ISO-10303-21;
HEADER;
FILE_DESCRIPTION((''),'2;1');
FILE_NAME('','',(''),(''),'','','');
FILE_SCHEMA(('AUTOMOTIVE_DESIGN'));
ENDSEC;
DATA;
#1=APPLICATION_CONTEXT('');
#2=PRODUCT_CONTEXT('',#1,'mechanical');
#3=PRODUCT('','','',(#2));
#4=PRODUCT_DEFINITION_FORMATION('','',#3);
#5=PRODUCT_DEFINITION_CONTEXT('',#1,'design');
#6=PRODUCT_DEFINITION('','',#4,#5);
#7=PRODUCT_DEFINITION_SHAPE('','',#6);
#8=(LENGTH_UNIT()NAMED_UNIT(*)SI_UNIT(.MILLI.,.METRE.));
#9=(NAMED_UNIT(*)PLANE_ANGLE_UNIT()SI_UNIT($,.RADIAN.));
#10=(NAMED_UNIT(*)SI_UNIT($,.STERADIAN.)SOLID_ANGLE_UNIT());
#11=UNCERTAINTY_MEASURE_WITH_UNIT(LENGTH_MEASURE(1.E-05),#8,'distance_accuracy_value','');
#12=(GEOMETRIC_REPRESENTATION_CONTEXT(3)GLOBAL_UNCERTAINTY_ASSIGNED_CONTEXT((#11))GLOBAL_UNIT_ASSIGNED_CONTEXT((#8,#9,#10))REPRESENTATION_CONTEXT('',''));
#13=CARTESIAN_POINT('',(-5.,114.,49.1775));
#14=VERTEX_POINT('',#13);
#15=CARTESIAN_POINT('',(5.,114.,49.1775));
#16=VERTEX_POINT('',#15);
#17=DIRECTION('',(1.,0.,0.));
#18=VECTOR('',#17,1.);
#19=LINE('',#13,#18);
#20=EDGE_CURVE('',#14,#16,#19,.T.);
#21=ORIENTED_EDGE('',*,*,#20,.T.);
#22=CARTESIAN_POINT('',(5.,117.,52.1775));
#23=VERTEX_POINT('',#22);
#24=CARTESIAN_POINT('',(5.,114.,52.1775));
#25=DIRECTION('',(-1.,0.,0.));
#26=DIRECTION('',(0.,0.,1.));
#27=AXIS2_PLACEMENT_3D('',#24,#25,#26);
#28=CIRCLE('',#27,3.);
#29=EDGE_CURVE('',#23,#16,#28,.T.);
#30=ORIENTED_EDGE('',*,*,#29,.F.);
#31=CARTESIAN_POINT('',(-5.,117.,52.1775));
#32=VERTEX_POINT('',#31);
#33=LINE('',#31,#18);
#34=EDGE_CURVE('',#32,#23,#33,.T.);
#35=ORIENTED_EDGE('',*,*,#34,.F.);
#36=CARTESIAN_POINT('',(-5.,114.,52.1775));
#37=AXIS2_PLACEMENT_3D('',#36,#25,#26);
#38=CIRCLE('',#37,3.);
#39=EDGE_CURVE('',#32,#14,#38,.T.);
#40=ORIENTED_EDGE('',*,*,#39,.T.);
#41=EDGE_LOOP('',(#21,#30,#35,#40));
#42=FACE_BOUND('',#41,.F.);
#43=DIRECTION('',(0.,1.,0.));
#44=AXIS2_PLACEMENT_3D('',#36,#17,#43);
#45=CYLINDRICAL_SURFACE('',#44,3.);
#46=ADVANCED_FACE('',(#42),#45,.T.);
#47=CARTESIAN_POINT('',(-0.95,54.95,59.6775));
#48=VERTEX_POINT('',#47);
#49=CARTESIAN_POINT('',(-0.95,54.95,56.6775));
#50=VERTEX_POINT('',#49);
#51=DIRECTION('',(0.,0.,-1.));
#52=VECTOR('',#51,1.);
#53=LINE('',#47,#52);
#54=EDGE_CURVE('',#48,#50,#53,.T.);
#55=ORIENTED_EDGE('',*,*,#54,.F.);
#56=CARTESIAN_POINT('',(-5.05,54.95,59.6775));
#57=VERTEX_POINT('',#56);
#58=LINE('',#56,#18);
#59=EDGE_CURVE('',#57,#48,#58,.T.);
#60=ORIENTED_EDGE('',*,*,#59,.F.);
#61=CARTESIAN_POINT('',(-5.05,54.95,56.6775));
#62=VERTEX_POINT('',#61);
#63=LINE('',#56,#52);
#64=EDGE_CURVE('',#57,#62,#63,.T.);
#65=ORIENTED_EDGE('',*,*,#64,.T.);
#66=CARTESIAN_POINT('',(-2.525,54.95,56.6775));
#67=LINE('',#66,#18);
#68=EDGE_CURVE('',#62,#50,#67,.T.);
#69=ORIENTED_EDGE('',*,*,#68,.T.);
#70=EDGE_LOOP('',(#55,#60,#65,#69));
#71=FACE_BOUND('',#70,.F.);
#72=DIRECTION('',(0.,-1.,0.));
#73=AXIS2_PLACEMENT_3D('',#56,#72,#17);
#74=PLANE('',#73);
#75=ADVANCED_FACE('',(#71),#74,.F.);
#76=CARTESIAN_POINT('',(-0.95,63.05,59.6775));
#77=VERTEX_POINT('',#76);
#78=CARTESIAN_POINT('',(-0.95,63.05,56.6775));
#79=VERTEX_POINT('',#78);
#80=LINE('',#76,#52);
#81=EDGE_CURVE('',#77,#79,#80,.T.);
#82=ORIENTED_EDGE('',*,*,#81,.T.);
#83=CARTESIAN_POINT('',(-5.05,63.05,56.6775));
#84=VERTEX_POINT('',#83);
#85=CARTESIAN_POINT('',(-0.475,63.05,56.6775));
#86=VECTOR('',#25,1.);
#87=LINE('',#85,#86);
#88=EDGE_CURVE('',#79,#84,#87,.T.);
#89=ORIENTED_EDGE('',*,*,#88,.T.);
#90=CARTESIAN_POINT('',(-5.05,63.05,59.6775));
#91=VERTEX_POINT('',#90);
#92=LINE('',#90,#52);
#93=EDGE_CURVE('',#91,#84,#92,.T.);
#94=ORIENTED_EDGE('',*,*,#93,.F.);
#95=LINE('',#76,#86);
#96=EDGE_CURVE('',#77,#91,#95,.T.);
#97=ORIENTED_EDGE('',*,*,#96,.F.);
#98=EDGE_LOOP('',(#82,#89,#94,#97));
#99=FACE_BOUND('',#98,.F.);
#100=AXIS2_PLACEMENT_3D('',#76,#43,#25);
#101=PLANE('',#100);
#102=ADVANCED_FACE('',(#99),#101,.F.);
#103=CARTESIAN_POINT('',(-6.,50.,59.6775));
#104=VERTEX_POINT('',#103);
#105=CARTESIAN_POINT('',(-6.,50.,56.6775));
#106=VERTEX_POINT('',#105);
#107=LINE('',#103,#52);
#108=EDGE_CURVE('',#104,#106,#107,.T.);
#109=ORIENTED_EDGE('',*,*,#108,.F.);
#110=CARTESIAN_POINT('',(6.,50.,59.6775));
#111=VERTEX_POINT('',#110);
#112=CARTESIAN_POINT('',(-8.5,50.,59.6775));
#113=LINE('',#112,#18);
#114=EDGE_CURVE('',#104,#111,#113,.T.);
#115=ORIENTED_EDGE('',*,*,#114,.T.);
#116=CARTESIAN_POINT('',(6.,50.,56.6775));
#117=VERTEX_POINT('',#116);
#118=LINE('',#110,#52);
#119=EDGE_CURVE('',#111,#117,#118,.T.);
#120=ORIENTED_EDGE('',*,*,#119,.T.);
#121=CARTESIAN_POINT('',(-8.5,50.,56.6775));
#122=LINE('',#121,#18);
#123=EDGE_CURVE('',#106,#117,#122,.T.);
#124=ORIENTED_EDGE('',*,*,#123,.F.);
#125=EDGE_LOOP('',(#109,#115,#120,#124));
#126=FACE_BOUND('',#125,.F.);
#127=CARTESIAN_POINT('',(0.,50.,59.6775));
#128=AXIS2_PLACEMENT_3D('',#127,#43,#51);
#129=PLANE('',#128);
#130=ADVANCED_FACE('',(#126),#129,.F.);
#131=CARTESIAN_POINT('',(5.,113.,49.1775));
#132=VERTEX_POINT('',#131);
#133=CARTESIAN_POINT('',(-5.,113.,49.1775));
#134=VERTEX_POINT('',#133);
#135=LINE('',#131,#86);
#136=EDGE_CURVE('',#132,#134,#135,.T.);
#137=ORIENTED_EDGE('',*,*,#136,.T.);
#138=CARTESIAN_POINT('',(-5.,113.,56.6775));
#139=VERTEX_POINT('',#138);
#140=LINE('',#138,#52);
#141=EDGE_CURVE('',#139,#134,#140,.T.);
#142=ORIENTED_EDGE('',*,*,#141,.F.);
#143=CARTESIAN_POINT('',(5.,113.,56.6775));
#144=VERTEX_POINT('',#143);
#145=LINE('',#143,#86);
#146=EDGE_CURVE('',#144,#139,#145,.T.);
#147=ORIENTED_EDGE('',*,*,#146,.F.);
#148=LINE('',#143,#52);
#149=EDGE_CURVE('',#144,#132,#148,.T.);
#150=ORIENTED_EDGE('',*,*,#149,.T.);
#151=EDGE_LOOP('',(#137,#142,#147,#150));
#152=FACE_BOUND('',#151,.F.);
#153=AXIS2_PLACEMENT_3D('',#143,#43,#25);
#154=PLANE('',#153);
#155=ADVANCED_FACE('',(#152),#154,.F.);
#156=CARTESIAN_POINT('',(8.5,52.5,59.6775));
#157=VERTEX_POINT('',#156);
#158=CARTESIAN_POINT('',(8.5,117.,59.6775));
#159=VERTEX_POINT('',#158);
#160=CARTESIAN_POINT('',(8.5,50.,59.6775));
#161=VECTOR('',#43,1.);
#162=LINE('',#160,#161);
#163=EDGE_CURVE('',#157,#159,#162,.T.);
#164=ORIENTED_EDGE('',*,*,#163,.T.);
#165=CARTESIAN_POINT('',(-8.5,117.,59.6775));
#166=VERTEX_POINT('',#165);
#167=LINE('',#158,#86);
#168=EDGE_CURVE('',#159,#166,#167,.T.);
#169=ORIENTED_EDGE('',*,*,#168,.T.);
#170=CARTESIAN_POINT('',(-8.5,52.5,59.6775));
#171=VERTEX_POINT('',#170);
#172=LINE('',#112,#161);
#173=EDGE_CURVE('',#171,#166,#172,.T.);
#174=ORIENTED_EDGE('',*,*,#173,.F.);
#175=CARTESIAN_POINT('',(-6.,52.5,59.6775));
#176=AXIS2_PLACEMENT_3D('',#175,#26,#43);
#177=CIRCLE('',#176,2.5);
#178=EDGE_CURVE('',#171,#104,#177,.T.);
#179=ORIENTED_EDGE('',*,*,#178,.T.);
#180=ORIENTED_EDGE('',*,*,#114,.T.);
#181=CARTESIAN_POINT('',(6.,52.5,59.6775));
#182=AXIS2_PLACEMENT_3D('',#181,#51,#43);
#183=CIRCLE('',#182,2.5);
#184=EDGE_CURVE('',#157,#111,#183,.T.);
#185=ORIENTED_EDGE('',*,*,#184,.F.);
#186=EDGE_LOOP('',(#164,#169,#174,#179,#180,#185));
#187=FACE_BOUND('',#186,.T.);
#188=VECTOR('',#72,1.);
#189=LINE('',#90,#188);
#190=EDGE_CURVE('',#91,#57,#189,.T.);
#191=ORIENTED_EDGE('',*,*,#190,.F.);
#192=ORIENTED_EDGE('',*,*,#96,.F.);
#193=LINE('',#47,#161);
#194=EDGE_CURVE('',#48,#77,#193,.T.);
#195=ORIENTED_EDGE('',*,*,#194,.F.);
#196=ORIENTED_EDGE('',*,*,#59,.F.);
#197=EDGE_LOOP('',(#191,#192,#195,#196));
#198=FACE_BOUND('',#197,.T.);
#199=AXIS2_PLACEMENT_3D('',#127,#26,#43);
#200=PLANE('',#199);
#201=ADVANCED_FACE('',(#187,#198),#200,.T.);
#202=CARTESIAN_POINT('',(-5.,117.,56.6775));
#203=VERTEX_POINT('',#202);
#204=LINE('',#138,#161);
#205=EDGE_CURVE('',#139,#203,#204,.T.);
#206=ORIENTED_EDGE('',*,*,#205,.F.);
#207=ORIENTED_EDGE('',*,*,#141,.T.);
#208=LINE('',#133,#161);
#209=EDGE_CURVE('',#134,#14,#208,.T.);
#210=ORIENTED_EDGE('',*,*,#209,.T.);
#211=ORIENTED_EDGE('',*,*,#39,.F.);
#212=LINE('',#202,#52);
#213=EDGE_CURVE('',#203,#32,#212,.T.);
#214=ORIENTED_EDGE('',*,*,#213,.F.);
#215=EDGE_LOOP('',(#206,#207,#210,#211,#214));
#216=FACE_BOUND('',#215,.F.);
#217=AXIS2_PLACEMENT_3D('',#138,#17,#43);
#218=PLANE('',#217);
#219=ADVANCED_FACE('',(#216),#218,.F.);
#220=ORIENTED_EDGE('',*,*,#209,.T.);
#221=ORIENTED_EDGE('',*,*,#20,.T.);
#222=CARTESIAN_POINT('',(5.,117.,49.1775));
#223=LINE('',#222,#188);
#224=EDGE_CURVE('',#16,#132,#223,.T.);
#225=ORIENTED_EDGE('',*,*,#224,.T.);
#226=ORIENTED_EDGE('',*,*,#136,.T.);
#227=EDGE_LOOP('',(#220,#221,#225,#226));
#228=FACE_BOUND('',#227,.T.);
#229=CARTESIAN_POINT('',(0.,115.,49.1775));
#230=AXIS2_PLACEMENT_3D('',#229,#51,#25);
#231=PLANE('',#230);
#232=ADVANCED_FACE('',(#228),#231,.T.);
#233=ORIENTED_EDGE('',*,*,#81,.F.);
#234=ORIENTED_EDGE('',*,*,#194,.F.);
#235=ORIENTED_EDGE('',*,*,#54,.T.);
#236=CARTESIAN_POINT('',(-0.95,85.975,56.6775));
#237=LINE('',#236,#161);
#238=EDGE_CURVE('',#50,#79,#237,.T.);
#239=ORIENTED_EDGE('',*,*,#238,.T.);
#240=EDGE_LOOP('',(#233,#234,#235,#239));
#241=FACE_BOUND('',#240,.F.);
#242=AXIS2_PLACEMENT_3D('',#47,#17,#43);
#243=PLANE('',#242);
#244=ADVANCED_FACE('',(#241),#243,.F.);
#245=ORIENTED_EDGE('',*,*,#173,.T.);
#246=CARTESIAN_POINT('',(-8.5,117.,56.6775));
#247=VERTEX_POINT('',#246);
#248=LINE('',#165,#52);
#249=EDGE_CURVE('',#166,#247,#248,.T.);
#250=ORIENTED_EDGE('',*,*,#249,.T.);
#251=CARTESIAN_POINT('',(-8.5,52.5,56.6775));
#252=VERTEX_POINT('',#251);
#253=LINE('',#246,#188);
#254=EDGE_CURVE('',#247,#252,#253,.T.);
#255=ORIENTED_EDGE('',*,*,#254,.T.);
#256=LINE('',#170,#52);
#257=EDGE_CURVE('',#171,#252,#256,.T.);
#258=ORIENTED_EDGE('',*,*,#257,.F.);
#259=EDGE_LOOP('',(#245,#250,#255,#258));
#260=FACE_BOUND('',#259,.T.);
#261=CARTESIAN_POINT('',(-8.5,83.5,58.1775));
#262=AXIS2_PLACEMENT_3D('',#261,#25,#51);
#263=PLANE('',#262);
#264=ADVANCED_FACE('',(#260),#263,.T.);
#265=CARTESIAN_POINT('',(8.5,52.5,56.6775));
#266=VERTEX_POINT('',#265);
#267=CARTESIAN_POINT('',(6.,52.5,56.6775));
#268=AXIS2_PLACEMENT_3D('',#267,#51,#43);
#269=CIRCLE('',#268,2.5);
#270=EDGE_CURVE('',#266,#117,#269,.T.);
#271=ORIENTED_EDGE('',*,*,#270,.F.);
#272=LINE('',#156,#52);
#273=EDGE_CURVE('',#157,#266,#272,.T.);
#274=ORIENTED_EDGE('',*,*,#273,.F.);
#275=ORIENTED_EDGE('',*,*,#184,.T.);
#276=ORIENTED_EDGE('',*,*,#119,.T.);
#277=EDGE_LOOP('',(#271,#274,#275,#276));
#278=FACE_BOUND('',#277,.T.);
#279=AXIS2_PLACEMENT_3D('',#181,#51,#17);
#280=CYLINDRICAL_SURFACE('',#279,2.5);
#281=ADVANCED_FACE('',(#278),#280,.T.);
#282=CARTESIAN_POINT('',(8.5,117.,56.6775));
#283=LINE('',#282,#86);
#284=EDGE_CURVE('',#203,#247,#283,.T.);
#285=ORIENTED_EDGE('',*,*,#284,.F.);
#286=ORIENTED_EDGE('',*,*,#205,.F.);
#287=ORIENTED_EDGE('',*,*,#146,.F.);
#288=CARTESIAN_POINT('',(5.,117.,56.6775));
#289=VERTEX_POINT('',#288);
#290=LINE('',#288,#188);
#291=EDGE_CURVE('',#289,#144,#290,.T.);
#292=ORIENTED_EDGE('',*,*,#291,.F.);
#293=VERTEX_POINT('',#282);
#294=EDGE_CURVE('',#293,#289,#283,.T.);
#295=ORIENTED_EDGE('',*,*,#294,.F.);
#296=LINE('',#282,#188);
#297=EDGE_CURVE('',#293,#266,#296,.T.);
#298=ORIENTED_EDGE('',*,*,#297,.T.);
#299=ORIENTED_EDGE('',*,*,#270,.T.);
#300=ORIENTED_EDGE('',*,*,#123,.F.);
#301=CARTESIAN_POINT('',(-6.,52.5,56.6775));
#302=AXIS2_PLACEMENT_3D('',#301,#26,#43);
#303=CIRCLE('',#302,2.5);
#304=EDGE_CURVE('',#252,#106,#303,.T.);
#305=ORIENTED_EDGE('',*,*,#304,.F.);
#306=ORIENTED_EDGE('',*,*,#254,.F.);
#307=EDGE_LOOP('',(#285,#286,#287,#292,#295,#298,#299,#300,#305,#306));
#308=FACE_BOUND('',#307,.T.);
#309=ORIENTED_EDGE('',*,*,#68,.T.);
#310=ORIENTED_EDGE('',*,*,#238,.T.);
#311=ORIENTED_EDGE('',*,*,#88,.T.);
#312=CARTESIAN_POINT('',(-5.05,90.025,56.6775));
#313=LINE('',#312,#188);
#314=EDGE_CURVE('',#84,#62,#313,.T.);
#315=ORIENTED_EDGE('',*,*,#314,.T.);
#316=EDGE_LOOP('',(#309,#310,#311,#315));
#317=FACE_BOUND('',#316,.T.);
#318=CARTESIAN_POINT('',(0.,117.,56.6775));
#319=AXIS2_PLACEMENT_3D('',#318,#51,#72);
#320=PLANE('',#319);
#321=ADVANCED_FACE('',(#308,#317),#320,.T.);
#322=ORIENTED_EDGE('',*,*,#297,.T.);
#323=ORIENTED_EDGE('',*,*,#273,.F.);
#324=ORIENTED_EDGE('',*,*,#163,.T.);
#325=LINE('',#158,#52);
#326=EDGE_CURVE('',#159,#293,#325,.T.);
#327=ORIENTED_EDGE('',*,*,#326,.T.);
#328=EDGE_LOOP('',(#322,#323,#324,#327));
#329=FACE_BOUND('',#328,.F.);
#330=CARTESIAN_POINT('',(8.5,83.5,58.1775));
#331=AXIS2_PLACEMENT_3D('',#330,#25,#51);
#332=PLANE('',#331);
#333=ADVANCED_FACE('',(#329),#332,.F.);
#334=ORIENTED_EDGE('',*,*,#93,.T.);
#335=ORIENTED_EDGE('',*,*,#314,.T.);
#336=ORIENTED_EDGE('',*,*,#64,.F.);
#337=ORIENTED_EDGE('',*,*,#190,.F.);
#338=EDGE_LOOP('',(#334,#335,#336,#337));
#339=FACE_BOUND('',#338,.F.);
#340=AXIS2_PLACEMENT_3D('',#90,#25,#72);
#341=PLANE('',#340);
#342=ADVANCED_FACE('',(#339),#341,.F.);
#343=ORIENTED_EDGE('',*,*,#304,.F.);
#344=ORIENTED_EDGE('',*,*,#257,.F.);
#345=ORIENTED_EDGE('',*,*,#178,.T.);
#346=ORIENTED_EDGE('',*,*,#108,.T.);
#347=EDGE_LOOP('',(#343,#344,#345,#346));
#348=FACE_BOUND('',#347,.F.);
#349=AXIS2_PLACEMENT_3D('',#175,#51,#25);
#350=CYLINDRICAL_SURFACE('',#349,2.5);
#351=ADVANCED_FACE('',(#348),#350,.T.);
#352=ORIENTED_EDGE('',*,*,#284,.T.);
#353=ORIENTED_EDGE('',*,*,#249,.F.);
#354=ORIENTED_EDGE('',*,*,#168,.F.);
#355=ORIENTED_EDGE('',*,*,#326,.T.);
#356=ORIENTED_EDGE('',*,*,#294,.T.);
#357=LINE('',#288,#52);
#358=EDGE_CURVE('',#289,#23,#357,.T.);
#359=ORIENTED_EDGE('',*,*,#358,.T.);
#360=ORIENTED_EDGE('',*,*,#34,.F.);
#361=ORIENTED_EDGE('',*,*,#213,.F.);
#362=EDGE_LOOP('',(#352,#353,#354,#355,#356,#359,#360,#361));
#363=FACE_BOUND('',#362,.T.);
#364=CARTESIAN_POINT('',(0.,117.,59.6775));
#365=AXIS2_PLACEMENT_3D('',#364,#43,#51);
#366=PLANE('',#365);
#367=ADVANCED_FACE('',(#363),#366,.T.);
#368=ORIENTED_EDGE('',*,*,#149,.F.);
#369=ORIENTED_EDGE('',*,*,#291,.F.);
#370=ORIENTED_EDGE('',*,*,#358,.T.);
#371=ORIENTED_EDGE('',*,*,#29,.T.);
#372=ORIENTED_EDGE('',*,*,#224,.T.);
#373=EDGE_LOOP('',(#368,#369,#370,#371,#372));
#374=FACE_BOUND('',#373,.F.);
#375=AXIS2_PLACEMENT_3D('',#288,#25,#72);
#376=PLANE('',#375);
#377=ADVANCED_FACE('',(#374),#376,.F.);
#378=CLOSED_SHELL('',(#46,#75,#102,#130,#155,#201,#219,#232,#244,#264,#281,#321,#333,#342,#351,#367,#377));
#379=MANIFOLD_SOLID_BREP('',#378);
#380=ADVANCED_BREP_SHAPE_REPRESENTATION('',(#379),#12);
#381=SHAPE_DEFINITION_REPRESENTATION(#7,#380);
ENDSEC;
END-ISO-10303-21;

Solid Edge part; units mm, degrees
sketch "Sketch1" plane through (0, 0, 0) normal (1, 0, 0) x (0, 1, 0)
  line L0 (50, 59.6775) -> (117, 59.6775)
  line L1 (117, 59.6775) -> (117, 56.6775)
  line L2 (117, 56.6775) -> (50, 56.6775)
  line L3 (50, 59.6775) -> (50, 56.6775)
extrude "Protrusion1" add sketch "Sketch1" along normal mid plane 17
sketch "Sketch2" plane through (0, 84.5, 56.6775) normal (0, 0, -1) x (-1, 0, 0)
  line L0 (5, 28.5) -> (5, 32.5)
  line L1 (5, 32.5) -> (-5, 32.5)
  line L2 (-5, 32.5) -> (-5, 28.5)
  line L3 (-5, 28.5) -> (5, 28.5)
extrude "ExtrudedProtrusion_2" add sketch "Sketch2" along normal blind 7.5
fillet "Round_1" radius 3 1 edges at (0, 117, 49.1775)
fillet "Round_2" radius 2.5 2 edges at (-8.5, 50, 58.1775) (8.5, 50, 58.1775)
sketch "Sketch3" plane through (0, 84.5, 59.6775) normal (0, 0, 1) x (0, 1, 0)
  line L0 (-29.55, 0.95) -> (-21.45, 0.95)
  line L1 (-21.45, 0.95) -> (-21.45, 5.05)
  line L2 (-21.45, 5.05) -> (-29.55, 5.05)
  line L3 (-29.55, 5.05) -> (-29.55, 0.95)
extrude "Cutout1" cut sketch "Sketch3" against normal up to next
